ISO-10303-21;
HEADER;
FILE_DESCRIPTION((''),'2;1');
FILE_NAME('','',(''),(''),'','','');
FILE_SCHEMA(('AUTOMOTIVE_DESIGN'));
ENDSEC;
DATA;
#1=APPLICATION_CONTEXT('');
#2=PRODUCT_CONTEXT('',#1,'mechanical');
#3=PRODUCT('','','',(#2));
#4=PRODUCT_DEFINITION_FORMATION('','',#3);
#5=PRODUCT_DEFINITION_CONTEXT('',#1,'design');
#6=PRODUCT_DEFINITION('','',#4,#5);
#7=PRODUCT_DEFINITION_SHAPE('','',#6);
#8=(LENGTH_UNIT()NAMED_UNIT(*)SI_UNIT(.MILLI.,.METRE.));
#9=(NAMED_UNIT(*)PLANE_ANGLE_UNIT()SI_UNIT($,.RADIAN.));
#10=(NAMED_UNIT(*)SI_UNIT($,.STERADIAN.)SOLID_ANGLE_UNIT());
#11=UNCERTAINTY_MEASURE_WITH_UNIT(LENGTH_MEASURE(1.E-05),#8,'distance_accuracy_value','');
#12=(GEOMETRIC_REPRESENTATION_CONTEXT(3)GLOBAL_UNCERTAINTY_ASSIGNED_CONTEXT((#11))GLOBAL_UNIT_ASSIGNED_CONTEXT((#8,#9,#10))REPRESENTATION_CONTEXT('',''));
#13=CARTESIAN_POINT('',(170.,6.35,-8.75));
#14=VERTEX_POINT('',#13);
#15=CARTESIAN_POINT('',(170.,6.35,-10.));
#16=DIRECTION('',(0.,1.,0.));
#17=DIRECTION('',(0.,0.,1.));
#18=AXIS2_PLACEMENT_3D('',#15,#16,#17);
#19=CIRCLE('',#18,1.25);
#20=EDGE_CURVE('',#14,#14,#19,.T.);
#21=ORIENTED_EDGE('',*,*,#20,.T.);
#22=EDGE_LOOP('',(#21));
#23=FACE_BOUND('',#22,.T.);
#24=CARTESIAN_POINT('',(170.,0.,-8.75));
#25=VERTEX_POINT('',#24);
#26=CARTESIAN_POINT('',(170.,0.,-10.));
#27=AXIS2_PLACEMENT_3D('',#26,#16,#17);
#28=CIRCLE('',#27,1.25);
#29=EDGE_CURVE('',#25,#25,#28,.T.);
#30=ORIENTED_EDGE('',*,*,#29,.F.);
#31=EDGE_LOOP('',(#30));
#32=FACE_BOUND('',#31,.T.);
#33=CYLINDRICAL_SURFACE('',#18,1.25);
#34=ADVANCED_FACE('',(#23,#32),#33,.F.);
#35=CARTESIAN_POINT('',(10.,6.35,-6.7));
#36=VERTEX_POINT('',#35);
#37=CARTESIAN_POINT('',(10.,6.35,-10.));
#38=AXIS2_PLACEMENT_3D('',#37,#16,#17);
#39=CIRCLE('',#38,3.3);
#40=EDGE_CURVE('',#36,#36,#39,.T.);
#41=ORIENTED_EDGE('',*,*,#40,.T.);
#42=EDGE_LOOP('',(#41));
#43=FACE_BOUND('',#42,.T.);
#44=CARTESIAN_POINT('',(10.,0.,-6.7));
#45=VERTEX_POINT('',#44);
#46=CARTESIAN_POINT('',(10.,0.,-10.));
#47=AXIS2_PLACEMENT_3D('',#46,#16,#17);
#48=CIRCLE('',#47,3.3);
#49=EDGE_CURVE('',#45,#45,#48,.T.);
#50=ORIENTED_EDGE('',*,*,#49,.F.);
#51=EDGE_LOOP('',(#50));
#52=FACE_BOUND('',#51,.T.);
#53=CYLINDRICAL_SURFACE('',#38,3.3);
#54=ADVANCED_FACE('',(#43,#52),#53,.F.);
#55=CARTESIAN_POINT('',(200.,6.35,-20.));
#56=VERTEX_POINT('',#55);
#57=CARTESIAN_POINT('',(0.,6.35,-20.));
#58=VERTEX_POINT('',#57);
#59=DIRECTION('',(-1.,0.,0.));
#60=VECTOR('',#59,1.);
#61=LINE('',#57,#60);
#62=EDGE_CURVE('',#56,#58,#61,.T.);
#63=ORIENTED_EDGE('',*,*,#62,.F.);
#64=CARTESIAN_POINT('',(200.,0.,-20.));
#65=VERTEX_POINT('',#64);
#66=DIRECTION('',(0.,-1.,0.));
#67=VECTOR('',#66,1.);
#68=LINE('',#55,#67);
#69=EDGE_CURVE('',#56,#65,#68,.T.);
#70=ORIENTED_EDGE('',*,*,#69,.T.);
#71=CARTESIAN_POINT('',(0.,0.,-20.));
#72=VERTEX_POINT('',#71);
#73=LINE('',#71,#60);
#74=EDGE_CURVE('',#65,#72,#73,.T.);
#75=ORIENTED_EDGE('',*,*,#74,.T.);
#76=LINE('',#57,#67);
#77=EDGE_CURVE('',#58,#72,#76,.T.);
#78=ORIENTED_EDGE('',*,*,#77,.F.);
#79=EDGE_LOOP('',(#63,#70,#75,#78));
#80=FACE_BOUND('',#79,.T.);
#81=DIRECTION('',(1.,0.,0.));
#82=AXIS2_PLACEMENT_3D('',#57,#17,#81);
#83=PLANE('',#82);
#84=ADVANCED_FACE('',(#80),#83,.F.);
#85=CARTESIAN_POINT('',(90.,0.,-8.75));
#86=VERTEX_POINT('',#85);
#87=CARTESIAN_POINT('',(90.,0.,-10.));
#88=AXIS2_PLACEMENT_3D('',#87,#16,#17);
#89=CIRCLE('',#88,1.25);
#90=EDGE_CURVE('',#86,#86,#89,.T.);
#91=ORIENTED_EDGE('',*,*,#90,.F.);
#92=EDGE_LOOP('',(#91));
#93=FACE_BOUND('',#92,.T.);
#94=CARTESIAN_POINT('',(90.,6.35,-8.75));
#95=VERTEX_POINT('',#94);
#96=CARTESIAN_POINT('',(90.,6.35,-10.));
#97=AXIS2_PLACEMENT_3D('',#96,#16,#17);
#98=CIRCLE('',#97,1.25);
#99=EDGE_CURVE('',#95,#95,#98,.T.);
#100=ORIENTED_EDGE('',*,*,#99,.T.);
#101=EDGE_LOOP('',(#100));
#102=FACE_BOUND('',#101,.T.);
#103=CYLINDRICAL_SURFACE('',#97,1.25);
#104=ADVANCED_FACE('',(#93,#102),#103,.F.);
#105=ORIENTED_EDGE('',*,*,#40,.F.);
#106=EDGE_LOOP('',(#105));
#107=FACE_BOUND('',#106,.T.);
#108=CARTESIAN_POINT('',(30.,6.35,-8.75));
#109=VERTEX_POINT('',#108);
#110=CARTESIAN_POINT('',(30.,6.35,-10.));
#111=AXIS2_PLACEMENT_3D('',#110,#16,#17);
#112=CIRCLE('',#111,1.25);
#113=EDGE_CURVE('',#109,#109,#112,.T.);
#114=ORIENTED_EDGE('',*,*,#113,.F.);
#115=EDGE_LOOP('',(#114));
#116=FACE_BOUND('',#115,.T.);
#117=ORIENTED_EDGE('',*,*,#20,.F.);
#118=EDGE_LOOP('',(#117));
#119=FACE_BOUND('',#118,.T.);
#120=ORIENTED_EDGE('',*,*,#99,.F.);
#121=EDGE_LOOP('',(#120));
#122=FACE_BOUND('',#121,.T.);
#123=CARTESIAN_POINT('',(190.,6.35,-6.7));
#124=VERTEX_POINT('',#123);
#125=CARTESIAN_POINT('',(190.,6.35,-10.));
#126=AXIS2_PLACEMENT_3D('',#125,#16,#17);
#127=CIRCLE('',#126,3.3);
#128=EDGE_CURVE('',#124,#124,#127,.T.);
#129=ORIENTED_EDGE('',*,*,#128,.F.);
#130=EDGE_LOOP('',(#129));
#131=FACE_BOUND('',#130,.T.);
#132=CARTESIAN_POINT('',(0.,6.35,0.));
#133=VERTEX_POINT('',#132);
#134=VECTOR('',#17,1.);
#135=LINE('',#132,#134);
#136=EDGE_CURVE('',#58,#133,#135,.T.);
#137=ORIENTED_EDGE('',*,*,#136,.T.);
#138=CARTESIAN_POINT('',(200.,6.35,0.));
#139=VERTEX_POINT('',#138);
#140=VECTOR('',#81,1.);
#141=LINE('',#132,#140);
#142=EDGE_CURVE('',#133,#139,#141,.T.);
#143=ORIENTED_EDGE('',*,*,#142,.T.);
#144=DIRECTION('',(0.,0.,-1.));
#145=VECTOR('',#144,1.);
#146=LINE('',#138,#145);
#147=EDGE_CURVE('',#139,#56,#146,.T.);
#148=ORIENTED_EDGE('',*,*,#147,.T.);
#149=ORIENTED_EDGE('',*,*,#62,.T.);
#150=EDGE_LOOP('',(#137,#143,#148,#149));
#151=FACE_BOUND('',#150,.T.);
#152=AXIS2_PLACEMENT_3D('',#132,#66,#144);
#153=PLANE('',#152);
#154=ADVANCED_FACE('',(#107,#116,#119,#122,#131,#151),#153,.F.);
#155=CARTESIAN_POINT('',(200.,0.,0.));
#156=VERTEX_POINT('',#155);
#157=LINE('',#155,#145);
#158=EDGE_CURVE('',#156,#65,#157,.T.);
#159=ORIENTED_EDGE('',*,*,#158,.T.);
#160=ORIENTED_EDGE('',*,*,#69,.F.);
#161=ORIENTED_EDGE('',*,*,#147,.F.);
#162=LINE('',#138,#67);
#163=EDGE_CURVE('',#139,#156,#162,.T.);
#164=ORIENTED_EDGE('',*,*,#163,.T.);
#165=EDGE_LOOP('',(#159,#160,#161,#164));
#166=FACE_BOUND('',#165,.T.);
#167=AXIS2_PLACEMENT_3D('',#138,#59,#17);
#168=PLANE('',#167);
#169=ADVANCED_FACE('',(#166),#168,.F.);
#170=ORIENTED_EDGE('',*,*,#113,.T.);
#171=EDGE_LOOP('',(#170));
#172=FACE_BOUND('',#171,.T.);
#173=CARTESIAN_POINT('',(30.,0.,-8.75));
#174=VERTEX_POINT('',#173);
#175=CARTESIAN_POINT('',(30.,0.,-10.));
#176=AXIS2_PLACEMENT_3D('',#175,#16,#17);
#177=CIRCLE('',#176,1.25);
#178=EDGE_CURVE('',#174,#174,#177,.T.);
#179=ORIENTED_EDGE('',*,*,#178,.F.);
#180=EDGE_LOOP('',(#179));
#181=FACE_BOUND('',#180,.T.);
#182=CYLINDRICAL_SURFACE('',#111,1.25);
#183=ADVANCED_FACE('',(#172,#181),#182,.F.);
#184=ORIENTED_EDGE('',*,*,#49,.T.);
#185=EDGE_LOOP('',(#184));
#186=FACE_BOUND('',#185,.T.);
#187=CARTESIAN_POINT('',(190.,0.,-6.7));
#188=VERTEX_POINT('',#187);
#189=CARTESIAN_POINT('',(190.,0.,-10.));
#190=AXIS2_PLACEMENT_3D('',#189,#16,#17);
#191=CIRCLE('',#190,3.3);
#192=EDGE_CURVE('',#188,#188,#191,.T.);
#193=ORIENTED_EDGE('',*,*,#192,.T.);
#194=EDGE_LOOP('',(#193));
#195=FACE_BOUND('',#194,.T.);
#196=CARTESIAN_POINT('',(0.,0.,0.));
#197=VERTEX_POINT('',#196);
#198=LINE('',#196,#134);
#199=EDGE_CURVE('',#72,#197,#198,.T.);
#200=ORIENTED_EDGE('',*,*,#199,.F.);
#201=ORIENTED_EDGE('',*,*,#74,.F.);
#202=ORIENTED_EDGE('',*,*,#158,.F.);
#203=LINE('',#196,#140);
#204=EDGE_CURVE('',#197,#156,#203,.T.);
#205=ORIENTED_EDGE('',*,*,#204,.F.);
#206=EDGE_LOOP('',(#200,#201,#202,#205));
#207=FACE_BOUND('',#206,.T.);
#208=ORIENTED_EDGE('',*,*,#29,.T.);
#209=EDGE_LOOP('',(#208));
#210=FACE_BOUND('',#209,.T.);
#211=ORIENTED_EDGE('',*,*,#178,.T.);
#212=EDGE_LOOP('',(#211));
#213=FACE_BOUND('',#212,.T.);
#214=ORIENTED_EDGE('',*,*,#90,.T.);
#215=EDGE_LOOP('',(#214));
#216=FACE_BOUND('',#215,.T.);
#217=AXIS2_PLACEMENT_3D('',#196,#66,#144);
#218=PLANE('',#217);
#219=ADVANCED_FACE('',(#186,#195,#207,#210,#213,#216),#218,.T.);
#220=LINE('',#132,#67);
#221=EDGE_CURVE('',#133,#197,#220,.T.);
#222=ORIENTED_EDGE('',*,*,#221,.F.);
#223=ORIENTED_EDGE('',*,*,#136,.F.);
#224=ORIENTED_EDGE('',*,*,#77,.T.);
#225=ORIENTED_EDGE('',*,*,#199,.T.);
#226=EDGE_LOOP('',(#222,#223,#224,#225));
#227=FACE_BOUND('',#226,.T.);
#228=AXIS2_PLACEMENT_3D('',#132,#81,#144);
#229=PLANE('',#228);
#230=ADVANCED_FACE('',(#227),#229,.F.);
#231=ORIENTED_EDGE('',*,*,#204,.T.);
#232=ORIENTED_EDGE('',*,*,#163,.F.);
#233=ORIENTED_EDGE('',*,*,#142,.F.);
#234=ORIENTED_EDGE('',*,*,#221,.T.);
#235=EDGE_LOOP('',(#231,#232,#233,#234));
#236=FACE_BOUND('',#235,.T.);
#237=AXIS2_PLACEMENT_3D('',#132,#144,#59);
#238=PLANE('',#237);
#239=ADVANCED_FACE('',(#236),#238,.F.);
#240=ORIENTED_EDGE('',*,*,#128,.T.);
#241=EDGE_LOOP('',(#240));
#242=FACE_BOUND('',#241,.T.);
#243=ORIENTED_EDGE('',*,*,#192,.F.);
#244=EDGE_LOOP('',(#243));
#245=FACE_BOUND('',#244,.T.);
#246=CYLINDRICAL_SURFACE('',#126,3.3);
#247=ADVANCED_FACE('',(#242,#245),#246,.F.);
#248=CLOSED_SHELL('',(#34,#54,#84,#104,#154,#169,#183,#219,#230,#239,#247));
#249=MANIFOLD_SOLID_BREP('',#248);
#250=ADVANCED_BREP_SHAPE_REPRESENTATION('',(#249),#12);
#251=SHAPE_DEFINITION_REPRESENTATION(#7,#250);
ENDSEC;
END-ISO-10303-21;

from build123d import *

# Parameters (mm, degrees)
SKETCH1_W             = 200
SKETCH1_H             = 20
BOSS_EXTRUDE1_DEPTH   = 6.35
M3X0_5_TAPPED_HOLE1_D = 2.5
M6_CLEARANCE_HOLE1_D  = 6.6


with BuildPart() as part:
    # Sketch1 → Boss-Extrude1 (new body)
    with BuildSketch(Plane(origin=(0, 0, 0), x_dir=(1, 0, 0), z_dir=(0, 1, 0))):
        with Locations((100, 10)):
            Rectangle(SKETCH1_W, SKETCH1_H)
    extrude(amount=BOSS_EXTRUDE1_DEPTH)

    # M3x0.5 Tapped Hole1 (through all)
    with Locations(Plane(origin=(0, 6.35, 0), x_dir=(1, 0, 0), z_dir=(0, 1, 0))):
        with Locations((30, 10), (170, 10), (90, 10)):
            Hole(M3X0_5_TAPPED_HOLE1_D / 2)

    # M6 Clearance Hole1 (through all)
    with Locations(Plane(origin=(0, 6.35, 0), x_dir=(1, 0, 0), z_dir=(0, 1, 0))):
        with Locations((10, 10), (190, 10)):
            Hole(M6_CLEARANCE_HOLE1_D / 2)


solid = part.part
